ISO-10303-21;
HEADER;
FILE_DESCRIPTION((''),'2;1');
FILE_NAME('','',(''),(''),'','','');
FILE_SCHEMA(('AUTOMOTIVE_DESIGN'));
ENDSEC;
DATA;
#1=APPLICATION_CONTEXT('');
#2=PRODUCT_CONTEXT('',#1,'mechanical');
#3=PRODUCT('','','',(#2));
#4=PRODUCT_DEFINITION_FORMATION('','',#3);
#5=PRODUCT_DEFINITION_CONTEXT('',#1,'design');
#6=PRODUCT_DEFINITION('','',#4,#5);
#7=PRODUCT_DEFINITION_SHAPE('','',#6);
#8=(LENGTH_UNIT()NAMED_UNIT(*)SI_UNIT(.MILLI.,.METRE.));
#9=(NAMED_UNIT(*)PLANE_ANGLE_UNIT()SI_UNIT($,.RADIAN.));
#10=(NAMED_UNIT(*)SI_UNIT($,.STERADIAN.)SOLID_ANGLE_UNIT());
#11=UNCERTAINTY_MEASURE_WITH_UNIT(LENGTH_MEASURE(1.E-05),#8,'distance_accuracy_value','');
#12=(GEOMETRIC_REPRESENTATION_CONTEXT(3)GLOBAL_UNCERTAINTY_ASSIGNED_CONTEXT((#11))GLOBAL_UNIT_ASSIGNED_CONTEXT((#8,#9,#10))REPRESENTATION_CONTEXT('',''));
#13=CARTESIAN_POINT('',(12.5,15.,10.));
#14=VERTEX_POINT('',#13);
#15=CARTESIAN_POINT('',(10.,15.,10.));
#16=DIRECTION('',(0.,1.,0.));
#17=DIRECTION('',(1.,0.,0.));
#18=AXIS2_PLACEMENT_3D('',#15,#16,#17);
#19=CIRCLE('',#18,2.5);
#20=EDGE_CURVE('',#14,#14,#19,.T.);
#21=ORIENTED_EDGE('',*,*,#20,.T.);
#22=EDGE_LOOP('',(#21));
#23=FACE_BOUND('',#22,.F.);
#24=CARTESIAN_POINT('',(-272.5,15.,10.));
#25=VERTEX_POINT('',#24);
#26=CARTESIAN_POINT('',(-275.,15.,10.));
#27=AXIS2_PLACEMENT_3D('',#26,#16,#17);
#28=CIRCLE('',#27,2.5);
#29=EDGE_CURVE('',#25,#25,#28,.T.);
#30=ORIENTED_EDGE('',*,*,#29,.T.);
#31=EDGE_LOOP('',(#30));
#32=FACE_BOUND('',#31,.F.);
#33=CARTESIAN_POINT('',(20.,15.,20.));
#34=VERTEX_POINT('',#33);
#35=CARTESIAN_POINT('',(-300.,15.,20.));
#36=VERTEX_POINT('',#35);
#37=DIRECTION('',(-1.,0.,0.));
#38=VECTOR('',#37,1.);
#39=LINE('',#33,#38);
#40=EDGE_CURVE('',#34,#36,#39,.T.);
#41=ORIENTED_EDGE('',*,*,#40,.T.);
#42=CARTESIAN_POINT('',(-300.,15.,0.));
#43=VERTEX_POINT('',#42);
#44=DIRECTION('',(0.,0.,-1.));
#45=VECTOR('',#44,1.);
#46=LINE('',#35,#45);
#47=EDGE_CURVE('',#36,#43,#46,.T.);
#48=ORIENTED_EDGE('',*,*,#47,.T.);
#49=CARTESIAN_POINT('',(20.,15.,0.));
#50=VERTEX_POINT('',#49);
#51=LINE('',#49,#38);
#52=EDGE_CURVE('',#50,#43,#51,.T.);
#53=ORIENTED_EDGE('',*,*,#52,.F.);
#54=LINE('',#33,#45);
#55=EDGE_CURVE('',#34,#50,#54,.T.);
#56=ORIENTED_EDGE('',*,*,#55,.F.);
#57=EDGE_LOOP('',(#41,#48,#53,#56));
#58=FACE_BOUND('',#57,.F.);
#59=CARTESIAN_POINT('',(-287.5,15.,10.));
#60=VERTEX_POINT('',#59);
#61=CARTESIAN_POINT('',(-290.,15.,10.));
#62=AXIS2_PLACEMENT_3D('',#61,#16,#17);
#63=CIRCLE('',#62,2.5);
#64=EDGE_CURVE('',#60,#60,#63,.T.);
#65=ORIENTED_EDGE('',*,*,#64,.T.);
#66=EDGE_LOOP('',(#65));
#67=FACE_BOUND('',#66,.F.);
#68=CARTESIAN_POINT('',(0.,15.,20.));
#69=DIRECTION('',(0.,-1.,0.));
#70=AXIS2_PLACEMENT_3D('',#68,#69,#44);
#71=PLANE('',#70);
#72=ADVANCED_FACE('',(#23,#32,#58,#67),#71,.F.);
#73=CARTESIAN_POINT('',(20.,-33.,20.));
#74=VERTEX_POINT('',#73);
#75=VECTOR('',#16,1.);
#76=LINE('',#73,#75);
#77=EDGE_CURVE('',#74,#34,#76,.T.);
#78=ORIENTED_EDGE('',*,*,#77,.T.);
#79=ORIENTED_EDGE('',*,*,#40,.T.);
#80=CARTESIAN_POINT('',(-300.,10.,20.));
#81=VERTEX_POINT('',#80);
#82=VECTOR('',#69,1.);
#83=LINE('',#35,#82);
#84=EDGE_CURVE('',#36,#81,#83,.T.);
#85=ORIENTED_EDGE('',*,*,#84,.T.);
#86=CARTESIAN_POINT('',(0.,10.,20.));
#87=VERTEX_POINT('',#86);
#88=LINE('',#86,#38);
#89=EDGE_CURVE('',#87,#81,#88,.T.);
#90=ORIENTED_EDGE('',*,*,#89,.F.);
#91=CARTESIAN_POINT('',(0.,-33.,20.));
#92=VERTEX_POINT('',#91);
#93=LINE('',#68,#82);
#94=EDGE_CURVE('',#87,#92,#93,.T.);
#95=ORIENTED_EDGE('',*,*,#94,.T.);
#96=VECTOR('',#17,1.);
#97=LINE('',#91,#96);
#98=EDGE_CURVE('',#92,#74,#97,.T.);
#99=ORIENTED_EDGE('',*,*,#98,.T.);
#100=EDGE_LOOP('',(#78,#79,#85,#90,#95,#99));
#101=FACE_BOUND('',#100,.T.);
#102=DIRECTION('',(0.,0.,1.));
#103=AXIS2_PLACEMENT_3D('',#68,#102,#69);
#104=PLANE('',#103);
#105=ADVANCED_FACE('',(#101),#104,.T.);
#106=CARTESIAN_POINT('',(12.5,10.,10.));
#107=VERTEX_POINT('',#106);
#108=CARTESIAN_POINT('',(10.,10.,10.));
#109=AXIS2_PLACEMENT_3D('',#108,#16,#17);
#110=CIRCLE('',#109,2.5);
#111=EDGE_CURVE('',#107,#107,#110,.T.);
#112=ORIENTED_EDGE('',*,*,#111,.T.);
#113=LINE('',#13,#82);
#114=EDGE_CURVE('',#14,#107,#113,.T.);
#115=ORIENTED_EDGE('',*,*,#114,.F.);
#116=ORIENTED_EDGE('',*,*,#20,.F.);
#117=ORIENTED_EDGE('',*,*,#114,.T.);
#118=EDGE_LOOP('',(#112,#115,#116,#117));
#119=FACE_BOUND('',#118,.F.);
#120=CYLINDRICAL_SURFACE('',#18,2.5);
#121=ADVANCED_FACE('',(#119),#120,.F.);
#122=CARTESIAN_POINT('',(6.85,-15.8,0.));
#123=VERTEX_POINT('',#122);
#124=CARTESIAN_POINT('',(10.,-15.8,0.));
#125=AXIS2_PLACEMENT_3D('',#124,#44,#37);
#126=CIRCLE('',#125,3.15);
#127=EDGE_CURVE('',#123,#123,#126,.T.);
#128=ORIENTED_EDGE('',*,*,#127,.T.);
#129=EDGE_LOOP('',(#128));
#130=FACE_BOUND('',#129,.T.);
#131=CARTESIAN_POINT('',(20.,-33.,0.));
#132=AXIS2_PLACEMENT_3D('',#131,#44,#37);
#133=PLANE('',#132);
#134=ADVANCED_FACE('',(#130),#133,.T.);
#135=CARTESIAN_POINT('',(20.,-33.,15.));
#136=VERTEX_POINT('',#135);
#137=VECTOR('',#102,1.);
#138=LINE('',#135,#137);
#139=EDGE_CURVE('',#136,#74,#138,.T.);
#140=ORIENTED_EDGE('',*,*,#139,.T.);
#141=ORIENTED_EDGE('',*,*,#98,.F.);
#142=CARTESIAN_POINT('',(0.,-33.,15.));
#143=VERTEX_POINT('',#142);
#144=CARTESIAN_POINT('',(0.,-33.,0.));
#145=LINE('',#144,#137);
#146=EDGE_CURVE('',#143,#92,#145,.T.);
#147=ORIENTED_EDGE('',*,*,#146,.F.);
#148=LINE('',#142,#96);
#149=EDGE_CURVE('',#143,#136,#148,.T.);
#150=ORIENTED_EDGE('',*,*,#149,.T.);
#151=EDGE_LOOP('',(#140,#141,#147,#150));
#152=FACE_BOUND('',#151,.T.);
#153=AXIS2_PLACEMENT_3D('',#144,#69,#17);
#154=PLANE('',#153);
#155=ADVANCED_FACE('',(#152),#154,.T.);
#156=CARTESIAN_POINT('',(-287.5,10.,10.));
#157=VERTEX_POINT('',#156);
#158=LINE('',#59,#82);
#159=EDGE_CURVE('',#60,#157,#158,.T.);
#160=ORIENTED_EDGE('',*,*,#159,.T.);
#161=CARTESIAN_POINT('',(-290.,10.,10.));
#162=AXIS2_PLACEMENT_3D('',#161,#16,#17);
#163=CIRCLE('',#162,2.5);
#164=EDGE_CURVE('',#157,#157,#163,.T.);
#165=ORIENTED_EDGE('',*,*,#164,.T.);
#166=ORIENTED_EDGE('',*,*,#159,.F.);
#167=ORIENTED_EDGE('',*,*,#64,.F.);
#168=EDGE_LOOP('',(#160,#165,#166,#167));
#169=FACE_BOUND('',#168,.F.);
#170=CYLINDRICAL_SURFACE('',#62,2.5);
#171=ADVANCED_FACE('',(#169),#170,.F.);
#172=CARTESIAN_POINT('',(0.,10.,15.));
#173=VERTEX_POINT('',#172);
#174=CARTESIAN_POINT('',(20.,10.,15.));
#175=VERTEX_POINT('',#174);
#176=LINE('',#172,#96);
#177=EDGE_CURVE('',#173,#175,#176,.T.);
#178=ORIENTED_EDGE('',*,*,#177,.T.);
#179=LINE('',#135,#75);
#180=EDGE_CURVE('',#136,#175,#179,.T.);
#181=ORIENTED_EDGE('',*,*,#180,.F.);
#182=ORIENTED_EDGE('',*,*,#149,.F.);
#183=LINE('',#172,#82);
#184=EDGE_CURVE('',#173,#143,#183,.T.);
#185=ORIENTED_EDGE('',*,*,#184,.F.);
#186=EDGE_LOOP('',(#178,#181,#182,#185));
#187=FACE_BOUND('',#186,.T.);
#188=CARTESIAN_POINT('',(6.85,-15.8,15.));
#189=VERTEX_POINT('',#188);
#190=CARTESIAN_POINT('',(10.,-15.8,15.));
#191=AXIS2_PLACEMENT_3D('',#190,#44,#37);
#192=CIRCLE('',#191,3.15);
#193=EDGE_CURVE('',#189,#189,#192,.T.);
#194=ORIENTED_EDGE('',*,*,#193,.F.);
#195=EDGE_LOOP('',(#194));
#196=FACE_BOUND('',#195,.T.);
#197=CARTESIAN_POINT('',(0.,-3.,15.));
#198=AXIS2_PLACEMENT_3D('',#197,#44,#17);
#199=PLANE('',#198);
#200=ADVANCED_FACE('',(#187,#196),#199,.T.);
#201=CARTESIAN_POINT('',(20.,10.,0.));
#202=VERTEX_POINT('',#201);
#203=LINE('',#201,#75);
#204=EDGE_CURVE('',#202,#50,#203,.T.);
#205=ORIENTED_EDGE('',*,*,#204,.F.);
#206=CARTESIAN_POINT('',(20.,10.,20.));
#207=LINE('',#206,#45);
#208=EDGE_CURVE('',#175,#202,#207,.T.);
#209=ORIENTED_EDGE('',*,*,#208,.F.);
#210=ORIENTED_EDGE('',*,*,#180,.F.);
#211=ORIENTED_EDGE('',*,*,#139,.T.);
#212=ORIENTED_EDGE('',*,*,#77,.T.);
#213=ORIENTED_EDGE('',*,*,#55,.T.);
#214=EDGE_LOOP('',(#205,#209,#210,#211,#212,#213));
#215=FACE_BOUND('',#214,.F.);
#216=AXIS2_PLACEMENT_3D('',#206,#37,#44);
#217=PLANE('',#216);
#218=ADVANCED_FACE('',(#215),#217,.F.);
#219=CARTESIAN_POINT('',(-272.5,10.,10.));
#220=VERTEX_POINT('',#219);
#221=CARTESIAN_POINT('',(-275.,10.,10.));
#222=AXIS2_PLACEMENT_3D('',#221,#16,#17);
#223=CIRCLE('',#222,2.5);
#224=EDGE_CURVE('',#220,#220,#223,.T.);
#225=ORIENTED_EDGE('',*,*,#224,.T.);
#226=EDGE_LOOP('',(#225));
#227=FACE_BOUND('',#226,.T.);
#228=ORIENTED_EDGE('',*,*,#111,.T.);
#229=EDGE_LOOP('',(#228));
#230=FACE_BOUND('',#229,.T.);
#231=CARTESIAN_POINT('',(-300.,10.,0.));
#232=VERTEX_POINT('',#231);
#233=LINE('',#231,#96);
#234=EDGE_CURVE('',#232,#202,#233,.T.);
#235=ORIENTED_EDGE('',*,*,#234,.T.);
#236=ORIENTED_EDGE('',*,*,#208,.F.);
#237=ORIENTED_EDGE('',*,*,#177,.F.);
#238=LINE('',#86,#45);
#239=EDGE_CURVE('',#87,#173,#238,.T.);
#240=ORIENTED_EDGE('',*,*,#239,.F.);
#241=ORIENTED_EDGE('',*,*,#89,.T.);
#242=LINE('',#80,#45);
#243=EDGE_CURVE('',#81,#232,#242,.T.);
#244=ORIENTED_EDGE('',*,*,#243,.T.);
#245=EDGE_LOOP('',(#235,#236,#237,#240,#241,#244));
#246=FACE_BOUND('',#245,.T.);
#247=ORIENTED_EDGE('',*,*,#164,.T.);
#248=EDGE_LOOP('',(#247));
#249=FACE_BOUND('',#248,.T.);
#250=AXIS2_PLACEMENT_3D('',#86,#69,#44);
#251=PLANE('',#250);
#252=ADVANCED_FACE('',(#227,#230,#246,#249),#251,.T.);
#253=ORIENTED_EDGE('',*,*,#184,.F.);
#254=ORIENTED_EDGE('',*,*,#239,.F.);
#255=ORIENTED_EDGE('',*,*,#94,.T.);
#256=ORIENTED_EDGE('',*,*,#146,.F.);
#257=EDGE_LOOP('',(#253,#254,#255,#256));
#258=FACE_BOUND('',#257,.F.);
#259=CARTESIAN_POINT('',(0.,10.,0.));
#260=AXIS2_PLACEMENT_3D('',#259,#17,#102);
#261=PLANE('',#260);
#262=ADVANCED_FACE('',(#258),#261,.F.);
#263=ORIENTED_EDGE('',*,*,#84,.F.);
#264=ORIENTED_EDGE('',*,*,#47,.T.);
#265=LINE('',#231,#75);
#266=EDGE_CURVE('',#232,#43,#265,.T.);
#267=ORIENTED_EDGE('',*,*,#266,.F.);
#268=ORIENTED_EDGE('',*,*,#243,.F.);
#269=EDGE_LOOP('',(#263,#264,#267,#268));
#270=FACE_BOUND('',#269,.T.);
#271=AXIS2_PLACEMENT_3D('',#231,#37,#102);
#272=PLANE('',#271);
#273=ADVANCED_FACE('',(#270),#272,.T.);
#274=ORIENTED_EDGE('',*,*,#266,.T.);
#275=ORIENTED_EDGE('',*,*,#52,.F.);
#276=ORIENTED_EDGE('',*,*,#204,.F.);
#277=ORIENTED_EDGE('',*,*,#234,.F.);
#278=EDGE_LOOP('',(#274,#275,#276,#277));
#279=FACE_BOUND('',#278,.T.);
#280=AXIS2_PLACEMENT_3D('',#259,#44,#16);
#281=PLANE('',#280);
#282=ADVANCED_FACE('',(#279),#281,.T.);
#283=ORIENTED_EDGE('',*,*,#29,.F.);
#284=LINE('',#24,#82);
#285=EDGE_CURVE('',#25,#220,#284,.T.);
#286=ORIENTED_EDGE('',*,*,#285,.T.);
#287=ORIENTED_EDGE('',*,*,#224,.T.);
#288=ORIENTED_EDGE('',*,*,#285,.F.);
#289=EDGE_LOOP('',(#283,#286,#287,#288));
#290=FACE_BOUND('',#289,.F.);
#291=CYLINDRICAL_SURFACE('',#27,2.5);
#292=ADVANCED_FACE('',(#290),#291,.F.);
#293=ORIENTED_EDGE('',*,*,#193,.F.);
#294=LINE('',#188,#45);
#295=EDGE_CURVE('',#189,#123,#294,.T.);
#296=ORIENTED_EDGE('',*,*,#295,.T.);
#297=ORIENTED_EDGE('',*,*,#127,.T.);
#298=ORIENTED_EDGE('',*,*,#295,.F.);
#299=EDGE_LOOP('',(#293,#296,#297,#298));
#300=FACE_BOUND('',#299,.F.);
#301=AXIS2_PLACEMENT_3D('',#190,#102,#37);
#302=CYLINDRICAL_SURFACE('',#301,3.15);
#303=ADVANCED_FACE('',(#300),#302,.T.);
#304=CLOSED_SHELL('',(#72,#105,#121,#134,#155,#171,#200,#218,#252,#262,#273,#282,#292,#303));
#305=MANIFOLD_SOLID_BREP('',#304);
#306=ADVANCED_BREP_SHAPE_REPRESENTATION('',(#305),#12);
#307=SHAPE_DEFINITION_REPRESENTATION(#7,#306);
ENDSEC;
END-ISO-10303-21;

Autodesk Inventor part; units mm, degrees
ref_plane "Plano de trabajo1" through (0, 10, 0) normal (0, 1, 0) x (1, 0, 0)
sketch "Boceto3" plane through (0, 10, 0) normal (0, 1, 0) x (1, 0, 0)
  line L0 (20, -20) -> (0, -20) projected
  line L1 (0, 0) -> (20, 0) projected
  line L2 (0, -20) -> (20, -20)
  line L3 (20, -20) -> (20, 0)
  line L4 (20, 0) -> (0, 0)
  line L5 (0, 0) -> (0, -20)
extrude "Extrusión3" add sketch "Boceto3" along normal blind 5
ref_plane "Plano de trabajo4" through (0, -3, 0) normal (0, -1, 0) x (1, 0, 0)
sketch "Boceto8" plane through (0, -3, 0) normal (0, -1, 0) x (1, 0, 0)
  line L0 (0, 0) -> (0, 20) projected
  line L1 (0, 20) -> (20, 20) projected
  line L2 (0, 15) -> (20, 15)
  line L3 (20, 15) -> (20, 20)
  line L4 (20, 20) -> (0, 20)
  line L5 (0, 20) -> (0, 15)
  dimension "d25" = 5
extrude "Extrusión8" add sketch "Boceto8" along normal blind 30
ref_plane "Plano de trabajo5" through (20, -33, 15) normal (0, 0, -1) x (-1, 0, 0)
sketch "Boceto10" plane through (20, -33, 15) normal (0, 0, -1) x (-1, 0, 0)
  circle A0 centre (10, 17.2) radius 3.15
  line L0 (0, 33) -> (20, 33) projected
  line L1 (0, 32) -> (0, 0) projected
  point P0 (15.75, 33)
  point P1 (10, 33)
  dimension "d35" = 6.3
  dimension "d36" = 15.8
  dimension "d37" = 10
extrude "Extrusión9" add sketch "Boceto10" along normal blind 15
ref_plane "Plano de trabajo2" through (20, 10, 20) normal (1, 0, 0) x (0, 0, -1)
sketch "Boceto13" plane through (0, -3, 0) normal (0, 1, 0) x (1, 0, 0)
  line L0 (0, -20) -> (0, -15) projected
  line L1 (20, -15) -> (20, -20) projected
  line L2 (0, -15) -> (20, -15)
  line L3 (20, -15) -> (20, -20)
  line L4 (20, -20) -> (0, -20)
  line L5 (0, -20) -> (0, -15)
  point P0 (0, 0)
extrude "Extrusión12" add sketch "Boceto13" along normal blind 13
sketch "Boceto15" plane through (0, 15, 0) normal (0, 1, 0) x (1, 0, 0)
  circle A0 centre (10, -10) radius 2.5
  line L0 (0, 0) -> (0, -20) projected
  line L1 (0, -20) -> (20, -20) projected
  point P0 (320, -20)
  dimension "d58" = 5
  dimension "d59" = 10
  dimension "d60" = 10
extrude "Extrusión14" cut sketch "Boceto15" against normal blind 5
sketch "Boceto16" plane through (0, 10, 0) normal (-1, 0, 0) x (0, 0, 1)
  line L0 (20, 5) -> (0, 5) projected
  line L1 (20, 5) -> (20, -43) projected
  line L2 (0, 5) -> (20, 5)
  line L3 (20, 5) -> (20, 0)
  line L4 (20, 0) -> (0, 0)
  line L5 (0, 0) -> (0, 5)
  point P0 (0, -10)
  dimension "d63" = 5
extrude "Extrusión15" add sketch "Boceto16" along normal blind 300
sketch "Boceto18" plane through (0, 15, 0) normal (0, 1, 0) x (1, 0, 0)
  circle A0 centre (-290, -10) radius 2.5
  line L0 (20, -20) -> (-300, -20) projected
  line L1 (-300, -20) -> (-300, 0) projected
  point P0 (0, 0)
  dimension "d66" = 5
  dimension "d67" = 10
  dimension "d68" = 10
extrude "Extrusión16" cut sketch "Boceto18" against normal blind 300
sketch "Boceto19" plane through (0, 15, 0) normal (0, 1, 0) x (1, 0, 0)
  circle A0 centre (-275, -10) radius 2.5
  circle A1 centre (-290, -10) radius 2.5 projected
  point P0 (0, 0)
  dimension "d71" = 5
  dimension "d72" = 0
  dimension "d73" = 15
extrude "Extrusión17" cut sketch "Boceto19" against normal blind 10 contours A0
thread "Rosca4" size "M5x0.8" class "6H" standard "ANSI Metric M Profile" full length
thread "Rosca5" size "M5x0.8" class "6H" standard "ANSI Metric M Profile" full length
thread "Rosca6" size "M5x0.8" class "6H" standard "ANSI Metric M Profile" full length
properties part number "Ejes Base - C15_3DPrint"
